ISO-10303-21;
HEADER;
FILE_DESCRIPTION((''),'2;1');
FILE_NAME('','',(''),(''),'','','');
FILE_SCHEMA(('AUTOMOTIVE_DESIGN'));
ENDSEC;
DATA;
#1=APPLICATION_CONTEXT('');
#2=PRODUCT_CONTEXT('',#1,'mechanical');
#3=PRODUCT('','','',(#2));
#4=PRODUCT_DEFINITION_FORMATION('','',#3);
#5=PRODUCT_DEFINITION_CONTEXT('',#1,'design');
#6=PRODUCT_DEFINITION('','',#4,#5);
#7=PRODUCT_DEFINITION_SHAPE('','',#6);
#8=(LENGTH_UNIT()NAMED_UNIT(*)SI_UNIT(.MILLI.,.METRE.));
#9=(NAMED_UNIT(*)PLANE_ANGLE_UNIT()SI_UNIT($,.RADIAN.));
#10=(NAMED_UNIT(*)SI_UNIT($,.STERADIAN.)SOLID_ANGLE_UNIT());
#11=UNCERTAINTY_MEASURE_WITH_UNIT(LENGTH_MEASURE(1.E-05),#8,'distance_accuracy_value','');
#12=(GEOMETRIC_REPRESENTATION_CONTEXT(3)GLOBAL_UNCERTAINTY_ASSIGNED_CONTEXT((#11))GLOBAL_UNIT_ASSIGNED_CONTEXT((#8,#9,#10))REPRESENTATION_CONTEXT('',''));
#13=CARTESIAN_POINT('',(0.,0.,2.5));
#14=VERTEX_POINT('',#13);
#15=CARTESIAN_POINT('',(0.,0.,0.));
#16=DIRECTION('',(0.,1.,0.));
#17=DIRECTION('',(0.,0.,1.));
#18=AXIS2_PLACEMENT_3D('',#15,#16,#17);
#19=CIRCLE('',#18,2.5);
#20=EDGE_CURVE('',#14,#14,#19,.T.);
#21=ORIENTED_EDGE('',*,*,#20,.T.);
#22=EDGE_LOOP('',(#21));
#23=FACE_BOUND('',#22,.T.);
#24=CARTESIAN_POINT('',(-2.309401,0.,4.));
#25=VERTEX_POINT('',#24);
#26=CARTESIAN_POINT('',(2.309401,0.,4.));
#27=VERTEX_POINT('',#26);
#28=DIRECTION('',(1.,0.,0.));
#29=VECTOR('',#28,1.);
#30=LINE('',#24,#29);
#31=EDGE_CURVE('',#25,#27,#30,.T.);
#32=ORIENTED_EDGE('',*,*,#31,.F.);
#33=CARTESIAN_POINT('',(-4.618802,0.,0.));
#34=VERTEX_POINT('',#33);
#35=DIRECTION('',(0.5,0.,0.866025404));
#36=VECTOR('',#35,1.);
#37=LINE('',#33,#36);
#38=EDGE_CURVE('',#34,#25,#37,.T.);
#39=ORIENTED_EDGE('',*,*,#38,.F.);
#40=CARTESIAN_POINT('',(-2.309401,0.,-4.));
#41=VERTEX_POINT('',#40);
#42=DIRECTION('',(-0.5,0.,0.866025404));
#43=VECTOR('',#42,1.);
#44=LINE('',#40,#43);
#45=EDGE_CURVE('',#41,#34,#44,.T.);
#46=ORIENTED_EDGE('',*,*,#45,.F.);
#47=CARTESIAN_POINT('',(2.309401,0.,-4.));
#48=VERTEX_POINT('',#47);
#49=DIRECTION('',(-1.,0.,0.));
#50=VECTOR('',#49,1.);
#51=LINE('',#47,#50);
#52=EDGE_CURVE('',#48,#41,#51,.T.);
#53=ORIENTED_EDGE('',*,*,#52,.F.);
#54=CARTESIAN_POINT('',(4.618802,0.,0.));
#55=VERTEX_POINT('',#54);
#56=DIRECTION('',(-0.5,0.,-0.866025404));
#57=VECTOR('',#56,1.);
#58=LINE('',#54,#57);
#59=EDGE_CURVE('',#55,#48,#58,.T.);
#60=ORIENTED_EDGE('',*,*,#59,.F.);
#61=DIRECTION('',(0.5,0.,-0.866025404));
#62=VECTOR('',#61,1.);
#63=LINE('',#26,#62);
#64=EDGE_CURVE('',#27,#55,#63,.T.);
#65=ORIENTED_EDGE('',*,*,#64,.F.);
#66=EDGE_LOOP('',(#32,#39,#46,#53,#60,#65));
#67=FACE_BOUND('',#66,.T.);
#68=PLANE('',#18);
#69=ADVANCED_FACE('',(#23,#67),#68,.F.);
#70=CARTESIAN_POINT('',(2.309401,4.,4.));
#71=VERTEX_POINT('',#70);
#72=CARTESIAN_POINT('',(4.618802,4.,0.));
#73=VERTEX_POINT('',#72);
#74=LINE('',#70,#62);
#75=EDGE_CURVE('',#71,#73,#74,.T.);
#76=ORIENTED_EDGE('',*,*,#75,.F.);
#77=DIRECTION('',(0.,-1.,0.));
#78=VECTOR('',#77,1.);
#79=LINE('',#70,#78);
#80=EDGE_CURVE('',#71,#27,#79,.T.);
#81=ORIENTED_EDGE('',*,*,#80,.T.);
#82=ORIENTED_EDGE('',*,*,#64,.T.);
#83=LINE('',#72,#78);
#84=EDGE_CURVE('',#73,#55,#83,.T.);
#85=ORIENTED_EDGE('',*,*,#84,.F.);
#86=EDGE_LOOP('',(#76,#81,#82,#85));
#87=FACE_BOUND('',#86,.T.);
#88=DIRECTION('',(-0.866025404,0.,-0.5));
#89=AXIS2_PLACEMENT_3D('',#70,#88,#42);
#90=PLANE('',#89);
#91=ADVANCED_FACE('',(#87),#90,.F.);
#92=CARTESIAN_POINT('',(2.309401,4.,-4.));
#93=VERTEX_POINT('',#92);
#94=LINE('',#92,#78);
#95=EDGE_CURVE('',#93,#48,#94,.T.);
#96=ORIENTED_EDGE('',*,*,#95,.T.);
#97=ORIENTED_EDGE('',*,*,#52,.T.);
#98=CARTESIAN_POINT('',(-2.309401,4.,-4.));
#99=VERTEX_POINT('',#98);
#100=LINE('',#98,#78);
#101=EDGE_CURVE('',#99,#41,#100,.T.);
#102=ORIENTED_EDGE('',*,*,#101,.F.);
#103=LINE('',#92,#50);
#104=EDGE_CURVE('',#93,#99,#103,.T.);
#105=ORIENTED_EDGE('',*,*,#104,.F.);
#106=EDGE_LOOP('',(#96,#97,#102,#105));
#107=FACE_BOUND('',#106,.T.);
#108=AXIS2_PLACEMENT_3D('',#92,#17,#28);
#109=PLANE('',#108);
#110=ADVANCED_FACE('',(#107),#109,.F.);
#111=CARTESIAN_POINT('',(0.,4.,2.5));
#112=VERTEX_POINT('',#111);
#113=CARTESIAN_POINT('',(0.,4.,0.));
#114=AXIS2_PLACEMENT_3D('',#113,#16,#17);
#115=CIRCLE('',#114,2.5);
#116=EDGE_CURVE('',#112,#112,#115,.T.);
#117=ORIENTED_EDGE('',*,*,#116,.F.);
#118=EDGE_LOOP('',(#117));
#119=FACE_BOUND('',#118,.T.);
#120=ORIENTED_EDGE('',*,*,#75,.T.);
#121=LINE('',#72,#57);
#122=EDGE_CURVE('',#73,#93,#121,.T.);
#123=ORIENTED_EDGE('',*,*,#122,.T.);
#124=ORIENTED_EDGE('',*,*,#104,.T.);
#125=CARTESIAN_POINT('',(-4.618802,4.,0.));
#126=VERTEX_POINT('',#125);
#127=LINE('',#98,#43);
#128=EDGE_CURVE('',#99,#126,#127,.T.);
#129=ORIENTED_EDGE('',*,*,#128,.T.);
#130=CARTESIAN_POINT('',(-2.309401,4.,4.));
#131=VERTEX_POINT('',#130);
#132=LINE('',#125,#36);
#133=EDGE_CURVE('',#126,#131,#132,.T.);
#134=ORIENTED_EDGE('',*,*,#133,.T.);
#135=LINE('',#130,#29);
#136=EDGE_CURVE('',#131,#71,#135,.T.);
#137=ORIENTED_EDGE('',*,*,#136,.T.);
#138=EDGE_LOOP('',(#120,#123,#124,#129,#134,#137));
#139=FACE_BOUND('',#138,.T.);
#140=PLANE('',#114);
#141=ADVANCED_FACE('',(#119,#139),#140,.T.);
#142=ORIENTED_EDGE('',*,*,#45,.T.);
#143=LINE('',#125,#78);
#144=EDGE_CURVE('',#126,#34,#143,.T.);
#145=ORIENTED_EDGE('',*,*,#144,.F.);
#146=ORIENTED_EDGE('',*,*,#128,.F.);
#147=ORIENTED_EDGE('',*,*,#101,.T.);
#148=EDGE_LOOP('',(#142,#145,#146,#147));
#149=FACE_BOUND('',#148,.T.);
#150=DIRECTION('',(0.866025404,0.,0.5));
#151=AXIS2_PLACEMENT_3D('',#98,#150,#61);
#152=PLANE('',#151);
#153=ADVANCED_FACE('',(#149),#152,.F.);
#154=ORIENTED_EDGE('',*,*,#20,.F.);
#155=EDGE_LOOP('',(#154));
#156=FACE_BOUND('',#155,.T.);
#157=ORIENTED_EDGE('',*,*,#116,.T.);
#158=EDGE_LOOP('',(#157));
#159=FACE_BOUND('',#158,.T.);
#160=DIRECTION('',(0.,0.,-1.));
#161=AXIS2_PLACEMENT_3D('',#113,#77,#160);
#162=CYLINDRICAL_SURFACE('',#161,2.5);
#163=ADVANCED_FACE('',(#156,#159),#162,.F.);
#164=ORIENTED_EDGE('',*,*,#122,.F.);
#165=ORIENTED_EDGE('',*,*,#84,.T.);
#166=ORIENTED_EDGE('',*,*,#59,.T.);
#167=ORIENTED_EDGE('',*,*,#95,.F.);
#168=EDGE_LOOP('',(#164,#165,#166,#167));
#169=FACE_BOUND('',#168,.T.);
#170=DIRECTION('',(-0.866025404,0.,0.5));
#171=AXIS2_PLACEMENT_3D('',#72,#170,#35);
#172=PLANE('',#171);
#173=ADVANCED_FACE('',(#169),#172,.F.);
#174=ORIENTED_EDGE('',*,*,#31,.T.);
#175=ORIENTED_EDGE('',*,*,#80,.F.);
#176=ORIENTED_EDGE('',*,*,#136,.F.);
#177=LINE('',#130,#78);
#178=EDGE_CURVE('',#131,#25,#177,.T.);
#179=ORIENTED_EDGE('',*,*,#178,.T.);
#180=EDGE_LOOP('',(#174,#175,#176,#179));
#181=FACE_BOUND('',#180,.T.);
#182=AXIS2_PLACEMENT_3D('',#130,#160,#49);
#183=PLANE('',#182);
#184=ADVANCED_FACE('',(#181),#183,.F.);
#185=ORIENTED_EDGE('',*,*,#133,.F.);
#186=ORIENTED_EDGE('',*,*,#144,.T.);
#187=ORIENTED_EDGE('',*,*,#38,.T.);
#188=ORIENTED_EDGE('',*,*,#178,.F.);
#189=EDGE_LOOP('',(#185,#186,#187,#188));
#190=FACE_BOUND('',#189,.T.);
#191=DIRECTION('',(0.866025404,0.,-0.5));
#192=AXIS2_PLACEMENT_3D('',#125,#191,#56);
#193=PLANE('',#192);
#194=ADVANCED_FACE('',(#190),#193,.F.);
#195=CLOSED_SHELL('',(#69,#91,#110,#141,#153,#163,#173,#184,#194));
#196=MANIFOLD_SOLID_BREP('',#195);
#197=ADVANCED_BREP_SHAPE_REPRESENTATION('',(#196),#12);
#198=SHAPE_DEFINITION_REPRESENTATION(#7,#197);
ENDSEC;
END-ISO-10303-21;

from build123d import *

# Parameters (mm, degrees)
SKETCH1_R           = 2.5
BOSS_EXTRUDE1_DEPTH = 4


with BuildPart() as part:
    # Sketch1 → Boss-Extrude1 (new body)
    with BuildSketch(Plane(origin=(0, 0, 0), x_dir=(1, 0, 0), z_dir=(0, 1, 0))):
        Polygon((-4.618802154, 0), (-2.309401077, -4), (2.309401077, -4), (4.618802154, 0), (2.309401077, 4), (-2.309401077, 4), align=None)
        Circle(SKETCH1_R, mode=Mode.SUBTRACT)
    extrude(amount=BOSS_EXTRUDE1_DEPTH)


solid = part.part
